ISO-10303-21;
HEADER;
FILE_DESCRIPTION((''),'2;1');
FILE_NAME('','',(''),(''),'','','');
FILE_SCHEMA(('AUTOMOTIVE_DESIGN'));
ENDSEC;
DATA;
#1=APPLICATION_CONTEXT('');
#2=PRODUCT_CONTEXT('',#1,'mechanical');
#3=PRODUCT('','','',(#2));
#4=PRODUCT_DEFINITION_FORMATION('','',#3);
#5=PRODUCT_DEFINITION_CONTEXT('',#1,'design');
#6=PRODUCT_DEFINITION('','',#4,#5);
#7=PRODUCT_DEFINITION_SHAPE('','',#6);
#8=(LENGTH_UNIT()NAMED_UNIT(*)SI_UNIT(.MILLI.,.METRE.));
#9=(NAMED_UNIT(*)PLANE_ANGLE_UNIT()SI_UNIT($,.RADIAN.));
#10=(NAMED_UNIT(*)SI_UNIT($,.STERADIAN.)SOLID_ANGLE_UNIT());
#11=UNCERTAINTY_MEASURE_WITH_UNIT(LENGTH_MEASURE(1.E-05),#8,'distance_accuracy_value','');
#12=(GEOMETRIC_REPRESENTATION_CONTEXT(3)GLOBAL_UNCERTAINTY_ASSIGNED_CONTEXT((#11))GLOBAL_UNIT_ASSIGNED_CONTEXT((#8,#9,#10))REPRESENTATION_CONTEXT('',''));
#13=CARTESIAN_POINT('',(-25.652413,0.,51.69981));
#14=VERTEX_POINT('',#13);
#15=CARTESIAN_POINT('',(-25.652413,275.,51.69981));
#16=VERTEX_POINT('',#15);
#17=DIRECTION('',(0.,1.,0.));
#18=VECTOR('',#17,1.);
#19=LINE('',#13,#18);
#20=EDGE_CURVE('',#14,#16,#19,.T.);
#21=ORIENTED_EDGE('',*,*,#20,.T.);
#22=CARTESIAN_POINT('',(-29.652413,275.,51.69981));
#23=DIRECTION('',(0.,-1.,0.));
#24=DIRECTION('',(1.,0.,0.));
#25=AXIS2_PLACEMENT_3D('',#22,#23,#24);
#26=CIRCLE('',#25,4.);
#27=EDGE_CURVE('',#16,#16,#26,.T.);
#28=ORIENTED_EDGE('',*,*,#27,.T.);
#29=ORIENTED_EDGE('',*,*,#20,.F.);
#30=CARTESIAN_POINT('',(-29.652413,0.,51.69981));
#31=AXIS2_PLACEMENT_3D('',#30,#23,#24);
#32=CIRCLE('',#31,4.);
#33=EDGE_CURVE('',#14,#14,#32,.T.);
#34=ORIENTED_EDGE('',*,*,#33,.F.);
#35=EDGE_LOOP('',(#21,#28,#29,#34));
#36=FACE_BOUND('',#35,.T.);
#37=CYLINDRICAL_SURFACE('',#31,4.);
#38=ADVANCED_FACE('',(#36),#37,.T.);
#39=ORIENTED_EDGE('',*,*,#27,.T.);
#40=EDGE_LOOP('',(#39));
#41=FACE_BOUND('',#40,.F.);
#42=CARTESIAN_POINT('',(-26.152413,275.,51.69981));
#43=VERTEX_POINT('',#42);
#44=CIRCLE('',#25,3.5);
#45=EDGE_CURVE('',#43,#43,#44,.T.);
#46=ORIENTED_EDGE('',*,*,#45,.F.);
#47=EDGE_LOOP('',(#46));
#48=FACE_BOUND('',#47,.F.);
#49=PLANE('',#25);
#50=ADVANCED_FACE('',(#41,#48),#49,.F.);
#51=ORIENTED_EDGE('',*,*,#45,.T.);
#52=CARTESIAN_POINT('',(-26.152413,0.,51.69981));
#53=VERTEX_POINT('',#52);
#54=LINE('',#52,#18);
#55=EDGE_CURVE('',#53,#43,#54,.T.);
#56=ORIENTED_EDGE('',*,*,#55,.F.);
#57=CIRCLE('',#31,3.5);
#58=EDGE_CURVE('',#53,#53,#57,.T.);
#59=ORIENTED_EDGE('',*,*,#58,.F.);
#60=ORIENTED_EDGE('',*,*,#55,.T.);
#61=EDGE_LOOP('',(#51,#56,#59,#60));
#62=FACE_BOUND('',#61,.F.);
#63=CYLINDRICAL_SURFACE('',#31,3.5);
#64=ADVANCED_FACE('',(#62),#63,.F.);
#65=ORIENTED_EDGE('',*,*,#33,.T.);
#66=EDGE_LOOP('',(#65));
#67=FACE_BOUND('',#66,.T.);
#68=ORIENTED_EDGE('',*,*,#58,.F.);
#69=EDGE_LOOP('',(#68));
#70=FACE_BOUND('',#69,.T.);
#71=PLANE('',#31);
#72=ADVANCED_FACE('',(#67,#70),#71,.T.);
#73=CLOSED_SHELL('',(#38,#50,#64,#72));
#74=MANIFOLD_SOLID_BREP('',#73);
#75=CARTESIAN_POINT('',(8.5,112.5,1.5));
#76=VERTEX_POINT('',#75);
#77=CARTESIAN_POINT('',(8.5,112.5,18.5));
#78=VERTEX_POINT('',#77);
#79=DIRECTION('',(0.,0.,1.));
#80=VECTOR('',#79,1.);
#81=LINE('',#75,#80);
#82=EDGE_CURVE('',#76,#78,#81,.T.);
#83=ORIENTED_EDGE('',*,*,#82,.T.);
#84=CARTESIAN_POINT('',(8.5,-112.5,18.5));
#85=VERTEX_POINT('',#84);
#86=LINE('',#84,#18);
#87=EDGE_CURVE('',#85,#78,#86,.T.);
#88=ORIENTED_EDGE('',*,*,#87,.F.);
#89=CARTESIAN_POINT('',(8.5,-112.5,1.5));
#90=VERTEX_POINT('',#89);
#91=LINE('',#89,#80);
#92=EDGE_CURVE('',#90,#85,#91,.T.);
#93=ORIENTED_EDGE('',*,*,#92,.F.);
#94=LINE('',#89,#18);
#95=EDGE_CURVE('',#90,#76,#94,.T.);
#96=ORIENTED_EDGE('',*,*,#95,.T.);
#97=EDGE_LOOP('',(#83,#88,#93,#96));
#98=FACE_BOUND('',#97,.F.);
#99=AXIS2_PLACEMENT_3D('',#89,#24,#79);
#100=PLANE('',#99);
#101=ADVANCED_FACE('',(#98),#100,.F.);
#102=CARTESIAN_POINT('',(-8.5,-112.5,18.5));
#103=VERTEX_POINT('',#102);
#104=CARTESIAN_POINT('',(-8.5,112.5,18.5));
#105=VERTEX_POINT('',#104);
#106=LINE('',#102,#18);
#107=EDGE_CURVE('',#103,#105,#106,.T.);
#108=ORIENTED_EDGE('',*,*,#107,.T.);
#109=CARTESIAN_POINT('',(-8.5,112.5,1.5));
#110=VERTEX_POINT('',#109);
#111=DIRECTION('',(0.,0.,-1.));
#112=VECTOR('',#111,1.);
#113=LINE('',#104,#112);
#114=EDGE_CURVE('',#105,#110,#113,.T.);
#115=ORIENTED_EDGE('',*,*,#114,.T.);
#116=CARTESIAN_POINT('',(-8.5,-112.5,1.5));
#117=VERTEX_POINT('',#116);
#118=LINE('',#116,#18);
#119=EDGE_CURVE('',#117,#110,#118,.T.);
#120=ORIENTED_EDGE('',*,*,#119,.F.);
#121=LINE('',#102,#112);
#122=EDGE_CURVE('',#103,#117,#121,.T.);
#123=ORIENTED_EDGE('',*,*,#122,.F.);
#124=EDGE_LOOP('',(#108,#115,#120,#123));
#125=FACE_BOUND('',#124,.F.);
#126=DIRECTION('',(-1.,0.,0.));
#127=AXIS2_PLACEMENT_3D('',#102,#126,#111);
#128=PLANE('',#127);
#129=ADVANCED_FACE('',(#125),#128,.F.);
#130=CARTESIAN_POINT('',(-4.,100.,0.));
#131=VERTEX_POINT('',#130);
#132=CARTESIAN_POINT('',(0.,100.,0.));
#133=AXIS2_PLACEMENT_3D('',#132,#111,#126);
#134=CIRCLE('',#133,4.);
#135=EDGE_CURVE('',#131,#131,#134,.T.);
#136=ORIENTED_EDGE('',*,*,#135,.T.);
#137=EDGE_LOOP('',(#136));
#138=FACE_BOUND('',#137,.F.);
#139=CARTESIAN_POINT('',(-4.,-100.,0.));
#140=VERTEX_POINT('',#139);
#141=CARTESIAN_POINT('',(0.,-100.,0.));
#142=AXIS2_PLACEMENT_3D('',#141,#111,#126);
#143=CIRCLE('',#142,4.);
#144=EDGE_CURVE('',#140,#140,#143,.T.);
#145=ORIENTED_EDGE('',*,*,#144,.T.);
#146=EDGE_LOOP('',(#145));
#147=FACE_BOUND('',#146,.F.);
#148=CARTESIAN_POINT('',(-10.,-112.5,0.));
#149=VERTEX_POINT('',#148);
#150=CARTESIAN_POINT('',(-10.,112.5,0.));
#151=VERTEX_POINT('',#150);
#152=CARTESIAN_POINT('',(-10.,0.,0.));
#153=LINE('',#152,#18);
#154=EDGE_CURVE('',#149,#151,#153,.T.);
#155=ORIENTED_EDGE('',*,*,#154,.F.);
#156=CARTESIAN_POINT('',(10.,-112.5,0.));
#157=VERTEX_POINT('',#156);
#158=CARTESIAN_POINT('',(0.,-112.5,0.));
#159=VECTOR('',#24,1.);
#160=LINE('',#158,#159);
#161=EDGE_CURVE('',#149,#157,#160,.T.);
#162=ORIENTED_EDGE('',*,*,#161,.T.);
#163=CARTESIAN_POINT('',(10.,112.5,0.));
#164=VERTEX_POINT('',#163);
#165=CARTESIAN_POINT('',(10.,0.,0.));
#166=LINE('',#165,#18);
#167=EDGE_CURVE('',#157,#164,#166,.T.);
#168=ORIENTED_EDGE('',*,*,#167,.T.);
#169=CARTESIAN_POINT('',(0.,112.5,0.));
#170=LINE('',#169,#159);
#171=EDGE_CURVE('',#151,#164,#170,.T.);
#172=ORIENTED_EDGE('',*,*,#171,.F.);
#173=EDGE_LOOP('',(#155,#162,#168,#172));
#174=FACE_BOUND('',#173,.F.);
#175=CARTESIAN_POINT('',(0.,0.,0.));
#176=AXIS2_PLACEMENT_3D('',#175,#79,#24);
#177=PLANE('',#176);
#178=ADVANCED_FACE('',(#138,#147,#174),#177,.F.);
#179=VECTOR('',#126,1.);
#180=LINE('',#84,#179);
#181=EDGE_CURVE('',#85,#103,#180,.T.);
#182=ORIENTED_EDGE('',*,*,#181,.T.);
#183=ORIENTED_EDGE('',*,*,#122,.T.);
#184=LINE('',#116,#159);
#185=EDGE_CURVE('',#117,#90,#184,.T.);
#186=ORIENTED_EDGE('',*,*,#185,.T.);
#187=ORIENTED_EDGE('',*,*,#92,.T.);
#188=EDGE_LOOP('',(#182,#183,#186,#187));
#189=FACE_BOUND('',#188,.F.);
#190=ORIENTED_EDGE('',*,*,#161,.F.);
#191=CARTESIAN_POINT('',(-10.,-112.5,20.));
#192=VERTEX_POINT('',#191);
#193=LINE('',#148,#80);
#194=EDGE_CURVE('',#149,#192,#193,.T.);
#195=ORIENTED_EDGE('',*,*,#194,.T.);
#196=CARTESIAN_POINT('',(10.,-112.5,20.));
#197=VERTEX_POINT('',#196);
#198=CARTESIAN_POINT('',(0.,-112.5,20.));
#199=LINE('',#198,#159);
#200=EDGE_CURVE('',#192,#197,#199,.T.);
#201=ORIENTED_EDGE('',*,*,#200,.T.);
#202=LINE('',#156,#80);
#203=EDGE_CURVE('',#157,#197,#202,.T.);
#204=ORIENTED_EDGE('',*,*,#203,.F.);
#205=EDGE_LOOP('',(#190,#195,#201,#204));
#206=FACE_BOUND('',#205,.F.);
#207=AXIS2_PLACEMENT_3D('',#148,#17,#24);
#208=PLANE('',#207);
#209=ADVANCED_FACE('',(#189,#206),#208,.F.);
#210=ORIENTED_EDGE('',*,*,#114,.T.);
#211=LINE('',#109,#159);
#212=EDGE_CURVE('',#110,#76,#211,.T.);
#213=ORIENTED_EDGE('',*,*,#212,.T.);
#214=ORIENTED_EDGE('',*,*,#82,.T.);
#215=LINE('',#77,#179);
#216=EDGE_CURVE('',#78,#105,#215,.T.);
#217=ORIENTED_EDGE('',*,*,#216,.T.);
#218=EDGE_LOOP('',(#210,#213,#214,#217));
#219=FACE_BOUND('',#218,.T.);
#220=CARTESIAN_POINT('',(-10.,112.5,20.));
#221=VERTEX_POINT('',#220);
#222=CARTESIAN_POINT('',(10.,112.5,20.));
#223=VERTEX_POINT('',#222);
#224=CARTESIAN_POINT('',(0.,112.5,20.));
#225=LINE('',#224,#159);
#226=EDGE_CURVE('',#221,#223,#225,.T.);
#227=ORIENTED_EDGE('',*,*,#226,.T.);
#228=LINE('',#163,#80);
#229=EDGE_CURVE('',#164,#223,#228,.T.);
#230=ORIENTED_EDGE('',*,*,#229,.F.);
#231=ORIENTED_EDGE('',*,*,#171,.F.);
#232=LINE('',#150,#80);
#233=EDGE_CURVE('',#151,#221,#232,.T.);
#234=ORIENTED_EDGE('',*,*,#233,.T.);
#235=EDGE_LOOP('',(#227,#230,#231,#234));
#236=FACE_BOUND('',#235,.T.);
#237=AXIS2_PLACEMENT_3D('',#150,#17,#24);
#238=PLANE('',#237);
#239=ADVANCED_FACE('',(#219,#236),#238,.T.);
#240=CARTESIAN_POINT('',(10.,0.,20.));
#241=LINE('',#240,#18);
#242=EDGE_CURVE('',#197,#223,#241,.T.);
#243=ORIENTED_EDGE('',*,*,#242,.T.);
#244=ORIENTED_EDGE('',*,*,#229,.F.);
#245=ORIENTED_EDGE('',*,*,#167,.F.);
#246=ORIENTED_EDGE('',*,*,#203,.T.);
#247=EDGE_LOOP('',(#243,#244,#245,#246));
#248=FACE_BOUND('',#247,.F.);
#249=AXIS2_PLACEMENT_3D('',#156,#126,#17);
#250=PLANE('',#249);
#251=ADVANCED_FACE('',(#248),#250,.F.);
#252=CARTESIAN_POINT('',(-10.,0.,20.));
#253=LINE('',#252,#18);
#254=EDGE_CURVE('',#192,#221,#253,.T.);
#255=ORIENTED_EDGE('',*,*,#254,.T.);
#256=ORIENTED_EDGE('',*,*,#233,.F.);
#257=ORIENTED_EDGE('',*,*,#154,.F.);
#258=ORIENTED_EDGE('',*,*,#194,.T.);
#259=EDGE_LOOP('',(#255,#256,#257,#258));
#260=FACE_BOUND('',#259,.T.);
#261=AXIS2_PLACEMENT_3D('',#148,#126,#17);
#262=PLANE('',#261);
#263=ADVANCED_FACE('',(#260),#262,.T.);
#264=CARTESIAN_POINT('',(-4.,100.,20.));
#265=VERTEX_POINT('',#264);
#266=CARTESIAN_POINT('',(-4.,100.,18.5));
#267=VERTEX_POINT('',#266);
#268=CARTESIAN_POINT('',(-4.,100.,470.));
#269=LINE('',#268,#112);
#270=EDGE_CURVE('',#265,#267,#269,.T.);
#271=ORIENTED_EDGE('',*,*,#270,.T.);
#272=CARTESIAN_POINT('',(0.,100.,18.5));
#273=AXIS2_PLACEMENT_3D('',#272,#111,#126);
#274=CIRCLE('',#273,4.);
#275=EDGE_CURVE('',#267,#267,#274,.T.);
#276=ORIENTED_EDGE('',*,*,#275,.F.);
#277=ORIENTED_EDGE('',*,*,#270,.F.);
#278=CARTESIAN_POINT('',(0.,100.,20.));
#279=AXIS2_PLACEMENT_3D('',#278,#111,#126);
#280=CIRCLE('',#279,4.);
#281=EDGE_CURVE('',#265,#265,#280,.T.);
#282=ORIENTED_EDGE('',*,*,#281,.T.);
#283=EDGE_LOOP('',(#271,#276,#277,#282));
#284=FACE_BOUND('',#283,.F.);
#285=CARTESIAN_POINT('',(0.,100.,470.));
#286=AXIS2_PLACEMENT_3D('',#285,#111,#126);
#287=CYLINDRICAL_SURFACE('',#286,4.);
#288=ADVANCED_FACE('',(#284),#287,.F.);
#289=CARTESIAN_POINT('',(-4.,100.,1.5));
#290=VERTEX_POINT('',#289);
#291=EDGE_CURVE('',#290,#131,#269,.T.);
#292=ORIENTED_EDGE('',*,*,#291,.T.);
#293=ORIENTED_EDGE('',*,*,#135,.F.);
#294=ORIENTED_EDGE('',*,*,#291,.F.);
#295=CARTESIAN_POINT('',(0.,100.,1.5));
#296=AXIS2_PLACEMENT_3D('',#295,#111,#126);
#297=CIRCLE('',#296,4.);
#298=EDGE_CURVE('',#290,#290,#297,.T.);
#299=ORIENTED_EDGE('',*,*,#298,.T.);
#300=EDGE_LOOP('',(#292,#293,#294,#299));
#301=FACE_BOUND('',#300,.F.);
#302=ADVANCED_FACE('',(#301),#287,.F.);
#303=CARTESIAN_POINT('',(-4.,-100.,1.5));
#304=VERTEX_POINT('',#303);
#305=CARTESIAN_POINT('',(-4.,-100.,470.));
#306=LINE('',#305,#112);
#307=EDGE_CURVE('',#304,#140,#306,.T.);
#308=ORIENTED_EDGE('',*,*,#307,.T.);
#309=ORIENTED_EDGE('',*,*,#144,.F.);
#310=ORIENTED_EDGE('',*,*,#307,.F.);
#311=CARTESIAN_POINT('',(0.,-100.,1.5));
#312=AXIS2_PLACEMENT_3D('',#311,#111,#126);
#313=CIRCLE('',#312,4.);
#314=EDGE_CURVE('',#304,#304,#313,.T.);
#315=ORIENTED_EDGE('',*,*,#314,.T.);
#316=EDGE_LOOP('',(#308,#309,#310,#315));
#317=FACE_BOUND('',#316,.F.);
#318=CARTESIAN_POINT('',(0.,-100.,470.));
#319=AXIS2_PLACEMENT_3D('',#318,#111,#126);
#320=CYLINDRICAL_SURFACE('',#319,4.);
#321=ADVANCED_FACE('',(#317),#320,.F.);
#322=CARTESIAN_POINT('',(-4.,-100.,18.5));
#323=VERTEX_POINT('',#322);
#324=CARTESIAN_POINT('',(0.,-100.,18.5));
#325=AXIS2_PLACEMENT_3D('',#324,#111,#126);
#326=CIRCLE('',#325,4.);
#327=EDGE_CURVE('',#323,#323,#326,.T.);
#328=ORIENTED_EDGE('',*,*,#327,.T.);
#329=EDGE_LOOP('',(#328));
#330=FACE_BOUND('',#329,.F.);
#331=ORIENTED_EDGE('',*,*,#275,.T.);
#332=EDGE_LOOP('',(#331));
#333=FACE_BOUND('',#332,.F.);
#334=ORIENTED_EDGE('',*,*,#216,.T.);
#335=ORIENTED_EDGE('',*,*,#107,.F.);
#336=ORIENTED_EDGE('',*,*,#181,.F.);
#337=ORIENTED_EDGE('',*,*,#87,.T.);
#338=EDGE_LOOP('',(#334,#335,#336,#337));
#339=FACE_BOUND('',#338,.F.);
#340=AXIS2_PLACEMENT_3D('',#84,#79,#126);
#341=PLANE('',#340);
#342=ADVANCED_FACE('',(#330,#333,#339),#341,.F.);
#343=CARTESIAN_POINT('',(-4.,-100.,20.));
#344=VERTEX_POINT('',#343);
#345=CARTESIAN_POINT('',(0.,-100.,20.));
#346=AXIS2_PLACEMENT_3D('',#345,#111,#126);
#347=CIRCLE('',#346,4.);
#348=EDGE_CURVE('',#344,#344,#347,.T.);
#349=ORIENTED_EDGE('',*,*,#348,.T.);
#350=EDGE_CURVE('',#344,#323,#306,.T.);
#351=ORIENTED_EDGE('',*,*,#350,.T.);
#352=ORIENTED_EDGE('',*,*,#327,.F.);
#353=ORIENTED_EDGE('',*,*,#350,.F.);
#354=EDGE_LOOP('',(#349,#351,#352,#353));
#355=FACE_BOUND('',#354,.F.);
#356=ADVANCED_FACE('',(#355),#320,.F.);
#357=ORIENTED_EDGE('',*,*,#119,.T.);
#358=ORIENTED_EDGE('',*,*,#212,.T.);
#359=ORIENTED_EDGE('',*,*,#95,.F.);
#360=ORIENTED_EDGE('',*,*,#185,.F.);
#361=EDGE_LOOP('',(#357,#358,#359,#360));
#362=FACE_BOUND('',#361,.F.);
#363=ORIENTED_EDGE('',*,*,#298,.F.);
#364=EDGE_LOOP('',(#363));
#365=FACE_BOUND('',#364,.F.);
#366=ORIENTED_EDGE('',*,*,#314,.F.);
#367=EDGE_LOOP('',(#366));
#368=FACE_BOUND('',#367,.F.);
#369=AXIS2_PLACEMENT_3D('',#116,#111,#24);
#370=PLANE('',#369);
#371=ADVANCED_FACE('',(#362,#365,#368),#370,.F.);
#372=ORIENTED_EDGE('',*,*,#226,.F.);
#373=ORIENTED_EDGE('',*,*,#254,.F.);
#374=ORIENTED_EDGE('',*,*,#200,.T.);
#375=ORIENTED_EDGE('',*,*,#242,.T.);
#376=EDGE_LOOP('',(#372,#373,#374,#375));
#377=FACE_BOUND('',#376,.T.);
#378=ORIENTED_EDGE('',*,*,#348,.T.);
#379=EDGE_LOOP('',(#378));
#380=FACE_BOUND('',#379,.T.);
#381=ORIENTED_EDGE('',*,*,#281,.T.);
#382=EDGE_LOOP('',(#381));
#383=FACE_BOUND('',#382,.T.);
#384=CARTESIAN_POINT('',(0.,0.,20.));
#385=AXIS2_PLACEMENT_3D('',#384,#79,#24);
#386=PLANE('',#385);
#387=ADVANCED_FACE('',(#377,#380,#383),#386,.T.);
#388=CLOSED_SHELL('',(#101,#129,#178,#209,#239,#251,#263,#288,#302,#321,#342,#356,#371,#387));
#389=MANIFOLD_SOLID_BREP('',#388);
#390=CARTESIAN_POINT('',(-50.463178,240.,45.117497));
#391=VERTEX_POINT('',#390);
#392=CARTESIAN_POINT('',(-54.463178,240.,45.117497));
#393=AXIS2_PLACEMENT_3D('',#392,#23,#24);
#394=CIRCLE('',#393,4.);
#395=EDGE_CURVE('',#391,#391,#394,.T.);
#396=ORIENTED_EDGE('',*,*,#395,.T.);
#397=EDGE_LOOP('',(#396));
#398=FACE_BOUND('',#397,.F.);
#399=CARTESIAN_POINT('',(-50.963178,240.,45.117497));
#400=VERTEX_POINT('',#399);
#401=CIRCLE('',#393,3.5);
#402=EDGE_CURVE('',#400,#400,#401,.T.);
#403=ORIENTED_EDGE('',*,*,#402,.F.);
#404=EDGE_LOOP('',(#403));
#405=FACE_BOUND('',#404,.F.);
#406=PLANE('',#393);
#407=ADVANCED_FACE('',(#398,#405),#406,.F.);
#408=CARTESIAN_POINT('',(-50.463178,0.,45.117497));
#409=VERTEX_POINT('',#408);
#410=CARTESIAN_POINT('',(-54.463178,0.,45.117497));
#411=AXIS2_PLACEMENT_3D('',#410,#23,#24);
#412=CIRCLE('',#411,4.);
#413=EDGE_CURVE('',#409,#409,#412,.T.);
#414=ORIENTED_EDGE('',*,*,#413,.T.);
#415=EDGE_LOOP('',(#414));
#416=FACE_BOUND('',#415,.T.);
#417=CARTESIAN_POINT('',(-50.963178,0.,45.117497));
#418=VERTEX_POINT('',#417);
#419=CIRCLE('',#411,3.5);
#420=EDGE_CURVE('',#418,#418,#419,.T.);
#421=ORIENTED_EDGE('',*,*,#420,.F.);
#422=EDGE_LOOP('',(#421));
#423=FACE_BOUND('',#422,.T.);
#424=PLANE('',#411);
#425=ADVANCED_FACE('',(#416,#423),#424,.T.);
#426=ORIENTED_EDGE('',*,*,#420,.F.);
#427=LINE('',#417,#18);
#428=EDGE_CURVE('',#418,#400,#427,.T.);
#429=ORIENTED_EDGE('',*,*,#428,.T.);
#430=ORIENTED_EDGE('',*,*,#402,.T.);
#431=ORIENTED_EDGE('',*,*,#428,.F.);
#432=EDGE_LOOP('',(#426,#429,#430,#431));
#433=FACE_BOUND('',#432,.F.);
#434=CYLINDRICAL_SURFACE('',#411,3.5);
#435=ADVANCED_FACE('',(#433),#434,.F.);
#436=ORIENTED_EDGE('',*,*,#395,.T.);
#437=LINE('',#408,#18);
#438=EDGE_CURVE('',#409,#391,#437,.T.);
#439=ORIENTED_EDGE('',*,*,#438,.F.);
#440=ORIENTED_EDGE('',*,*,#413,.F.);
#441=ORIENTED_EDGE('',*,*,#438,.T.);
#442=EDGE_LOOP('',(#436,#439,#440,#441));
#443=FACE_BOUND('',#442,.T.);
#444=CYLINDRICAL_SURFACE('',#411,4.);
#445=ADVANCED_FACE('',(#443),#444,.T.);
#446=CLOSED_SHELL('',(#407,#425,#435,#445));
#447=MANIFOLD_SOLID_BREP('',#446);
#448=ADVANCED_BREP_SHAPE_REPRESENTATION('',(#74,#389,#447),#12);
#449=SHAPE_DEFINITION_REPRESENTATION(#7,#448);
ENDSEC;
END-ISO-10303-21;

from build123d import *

# Parameters (mm, degrees)
F0_W     = 20
F0_H     = 225
F1_DEPTH = 20
F3_DEPTH = 225
F5_D     = 8
F5_DEPTH = 450
F6_R     = 4
F6_R_2   = 3.5
F7_DEPTH = 240
F8_R     = 4
F8_R_2   = 3.5
F9_DEPTH = 275


with BuildPart() as f1:
    # F0 (on Top) → F1 (new body)
    with BuildSketch(Plane.XY):
        Rectangle(F0_W, F0_H)
    extrude(amount=F1_DEPTH)

    # F2 (on face) → F3 (cut)
    with BuildSketch(Plane.XZ.offset(112.5)):
        Polygon((8.5, 1.5), (8.5, 18.5), (-8.5, 1.5), align=None)
        Polygon((-8.5, 1.5), (8.5, 18.5), (-8.5, 18.5), align=None)
    extrude(amount=-F3_DEPTH, mode=Mode.SUBTRACT)

    # F5
    with Locations(Plane.XY.offset(20)):
        with Locations((0, -100), (0, 100)):
            Hole(F5_D / 2, depth=F5_DEPTH)


with BuildPart() as f7:
    # F6 (on Front) → F7 (new body)
    with BuildSketch(Plane.XZ):
        with Locations((-54.463178, 45.117497)):
            Circle(F6_R)
        with Locations((-54.463178, 45.117497)):
            Circle(F6_R_2, mode=Mode.SUBTRACT)
    extrude(amount=-F7_DEPTH)


with BuildPart() as f9:
    # F8 (on Front) → F9 (new body)
    with BuildSketch(Plane.XZ):
        with Locations((-29.652413, 51.69981)):
            Circle(F8_R)
        with Locations((-29.652413, 51.69981)):
            Circle(F8_R_2, mode=Mode.SUBTRACT)
    extrude(amount=-F9_DEPTH)


solid = Compound([f1.part, f7.part, f9.part])
